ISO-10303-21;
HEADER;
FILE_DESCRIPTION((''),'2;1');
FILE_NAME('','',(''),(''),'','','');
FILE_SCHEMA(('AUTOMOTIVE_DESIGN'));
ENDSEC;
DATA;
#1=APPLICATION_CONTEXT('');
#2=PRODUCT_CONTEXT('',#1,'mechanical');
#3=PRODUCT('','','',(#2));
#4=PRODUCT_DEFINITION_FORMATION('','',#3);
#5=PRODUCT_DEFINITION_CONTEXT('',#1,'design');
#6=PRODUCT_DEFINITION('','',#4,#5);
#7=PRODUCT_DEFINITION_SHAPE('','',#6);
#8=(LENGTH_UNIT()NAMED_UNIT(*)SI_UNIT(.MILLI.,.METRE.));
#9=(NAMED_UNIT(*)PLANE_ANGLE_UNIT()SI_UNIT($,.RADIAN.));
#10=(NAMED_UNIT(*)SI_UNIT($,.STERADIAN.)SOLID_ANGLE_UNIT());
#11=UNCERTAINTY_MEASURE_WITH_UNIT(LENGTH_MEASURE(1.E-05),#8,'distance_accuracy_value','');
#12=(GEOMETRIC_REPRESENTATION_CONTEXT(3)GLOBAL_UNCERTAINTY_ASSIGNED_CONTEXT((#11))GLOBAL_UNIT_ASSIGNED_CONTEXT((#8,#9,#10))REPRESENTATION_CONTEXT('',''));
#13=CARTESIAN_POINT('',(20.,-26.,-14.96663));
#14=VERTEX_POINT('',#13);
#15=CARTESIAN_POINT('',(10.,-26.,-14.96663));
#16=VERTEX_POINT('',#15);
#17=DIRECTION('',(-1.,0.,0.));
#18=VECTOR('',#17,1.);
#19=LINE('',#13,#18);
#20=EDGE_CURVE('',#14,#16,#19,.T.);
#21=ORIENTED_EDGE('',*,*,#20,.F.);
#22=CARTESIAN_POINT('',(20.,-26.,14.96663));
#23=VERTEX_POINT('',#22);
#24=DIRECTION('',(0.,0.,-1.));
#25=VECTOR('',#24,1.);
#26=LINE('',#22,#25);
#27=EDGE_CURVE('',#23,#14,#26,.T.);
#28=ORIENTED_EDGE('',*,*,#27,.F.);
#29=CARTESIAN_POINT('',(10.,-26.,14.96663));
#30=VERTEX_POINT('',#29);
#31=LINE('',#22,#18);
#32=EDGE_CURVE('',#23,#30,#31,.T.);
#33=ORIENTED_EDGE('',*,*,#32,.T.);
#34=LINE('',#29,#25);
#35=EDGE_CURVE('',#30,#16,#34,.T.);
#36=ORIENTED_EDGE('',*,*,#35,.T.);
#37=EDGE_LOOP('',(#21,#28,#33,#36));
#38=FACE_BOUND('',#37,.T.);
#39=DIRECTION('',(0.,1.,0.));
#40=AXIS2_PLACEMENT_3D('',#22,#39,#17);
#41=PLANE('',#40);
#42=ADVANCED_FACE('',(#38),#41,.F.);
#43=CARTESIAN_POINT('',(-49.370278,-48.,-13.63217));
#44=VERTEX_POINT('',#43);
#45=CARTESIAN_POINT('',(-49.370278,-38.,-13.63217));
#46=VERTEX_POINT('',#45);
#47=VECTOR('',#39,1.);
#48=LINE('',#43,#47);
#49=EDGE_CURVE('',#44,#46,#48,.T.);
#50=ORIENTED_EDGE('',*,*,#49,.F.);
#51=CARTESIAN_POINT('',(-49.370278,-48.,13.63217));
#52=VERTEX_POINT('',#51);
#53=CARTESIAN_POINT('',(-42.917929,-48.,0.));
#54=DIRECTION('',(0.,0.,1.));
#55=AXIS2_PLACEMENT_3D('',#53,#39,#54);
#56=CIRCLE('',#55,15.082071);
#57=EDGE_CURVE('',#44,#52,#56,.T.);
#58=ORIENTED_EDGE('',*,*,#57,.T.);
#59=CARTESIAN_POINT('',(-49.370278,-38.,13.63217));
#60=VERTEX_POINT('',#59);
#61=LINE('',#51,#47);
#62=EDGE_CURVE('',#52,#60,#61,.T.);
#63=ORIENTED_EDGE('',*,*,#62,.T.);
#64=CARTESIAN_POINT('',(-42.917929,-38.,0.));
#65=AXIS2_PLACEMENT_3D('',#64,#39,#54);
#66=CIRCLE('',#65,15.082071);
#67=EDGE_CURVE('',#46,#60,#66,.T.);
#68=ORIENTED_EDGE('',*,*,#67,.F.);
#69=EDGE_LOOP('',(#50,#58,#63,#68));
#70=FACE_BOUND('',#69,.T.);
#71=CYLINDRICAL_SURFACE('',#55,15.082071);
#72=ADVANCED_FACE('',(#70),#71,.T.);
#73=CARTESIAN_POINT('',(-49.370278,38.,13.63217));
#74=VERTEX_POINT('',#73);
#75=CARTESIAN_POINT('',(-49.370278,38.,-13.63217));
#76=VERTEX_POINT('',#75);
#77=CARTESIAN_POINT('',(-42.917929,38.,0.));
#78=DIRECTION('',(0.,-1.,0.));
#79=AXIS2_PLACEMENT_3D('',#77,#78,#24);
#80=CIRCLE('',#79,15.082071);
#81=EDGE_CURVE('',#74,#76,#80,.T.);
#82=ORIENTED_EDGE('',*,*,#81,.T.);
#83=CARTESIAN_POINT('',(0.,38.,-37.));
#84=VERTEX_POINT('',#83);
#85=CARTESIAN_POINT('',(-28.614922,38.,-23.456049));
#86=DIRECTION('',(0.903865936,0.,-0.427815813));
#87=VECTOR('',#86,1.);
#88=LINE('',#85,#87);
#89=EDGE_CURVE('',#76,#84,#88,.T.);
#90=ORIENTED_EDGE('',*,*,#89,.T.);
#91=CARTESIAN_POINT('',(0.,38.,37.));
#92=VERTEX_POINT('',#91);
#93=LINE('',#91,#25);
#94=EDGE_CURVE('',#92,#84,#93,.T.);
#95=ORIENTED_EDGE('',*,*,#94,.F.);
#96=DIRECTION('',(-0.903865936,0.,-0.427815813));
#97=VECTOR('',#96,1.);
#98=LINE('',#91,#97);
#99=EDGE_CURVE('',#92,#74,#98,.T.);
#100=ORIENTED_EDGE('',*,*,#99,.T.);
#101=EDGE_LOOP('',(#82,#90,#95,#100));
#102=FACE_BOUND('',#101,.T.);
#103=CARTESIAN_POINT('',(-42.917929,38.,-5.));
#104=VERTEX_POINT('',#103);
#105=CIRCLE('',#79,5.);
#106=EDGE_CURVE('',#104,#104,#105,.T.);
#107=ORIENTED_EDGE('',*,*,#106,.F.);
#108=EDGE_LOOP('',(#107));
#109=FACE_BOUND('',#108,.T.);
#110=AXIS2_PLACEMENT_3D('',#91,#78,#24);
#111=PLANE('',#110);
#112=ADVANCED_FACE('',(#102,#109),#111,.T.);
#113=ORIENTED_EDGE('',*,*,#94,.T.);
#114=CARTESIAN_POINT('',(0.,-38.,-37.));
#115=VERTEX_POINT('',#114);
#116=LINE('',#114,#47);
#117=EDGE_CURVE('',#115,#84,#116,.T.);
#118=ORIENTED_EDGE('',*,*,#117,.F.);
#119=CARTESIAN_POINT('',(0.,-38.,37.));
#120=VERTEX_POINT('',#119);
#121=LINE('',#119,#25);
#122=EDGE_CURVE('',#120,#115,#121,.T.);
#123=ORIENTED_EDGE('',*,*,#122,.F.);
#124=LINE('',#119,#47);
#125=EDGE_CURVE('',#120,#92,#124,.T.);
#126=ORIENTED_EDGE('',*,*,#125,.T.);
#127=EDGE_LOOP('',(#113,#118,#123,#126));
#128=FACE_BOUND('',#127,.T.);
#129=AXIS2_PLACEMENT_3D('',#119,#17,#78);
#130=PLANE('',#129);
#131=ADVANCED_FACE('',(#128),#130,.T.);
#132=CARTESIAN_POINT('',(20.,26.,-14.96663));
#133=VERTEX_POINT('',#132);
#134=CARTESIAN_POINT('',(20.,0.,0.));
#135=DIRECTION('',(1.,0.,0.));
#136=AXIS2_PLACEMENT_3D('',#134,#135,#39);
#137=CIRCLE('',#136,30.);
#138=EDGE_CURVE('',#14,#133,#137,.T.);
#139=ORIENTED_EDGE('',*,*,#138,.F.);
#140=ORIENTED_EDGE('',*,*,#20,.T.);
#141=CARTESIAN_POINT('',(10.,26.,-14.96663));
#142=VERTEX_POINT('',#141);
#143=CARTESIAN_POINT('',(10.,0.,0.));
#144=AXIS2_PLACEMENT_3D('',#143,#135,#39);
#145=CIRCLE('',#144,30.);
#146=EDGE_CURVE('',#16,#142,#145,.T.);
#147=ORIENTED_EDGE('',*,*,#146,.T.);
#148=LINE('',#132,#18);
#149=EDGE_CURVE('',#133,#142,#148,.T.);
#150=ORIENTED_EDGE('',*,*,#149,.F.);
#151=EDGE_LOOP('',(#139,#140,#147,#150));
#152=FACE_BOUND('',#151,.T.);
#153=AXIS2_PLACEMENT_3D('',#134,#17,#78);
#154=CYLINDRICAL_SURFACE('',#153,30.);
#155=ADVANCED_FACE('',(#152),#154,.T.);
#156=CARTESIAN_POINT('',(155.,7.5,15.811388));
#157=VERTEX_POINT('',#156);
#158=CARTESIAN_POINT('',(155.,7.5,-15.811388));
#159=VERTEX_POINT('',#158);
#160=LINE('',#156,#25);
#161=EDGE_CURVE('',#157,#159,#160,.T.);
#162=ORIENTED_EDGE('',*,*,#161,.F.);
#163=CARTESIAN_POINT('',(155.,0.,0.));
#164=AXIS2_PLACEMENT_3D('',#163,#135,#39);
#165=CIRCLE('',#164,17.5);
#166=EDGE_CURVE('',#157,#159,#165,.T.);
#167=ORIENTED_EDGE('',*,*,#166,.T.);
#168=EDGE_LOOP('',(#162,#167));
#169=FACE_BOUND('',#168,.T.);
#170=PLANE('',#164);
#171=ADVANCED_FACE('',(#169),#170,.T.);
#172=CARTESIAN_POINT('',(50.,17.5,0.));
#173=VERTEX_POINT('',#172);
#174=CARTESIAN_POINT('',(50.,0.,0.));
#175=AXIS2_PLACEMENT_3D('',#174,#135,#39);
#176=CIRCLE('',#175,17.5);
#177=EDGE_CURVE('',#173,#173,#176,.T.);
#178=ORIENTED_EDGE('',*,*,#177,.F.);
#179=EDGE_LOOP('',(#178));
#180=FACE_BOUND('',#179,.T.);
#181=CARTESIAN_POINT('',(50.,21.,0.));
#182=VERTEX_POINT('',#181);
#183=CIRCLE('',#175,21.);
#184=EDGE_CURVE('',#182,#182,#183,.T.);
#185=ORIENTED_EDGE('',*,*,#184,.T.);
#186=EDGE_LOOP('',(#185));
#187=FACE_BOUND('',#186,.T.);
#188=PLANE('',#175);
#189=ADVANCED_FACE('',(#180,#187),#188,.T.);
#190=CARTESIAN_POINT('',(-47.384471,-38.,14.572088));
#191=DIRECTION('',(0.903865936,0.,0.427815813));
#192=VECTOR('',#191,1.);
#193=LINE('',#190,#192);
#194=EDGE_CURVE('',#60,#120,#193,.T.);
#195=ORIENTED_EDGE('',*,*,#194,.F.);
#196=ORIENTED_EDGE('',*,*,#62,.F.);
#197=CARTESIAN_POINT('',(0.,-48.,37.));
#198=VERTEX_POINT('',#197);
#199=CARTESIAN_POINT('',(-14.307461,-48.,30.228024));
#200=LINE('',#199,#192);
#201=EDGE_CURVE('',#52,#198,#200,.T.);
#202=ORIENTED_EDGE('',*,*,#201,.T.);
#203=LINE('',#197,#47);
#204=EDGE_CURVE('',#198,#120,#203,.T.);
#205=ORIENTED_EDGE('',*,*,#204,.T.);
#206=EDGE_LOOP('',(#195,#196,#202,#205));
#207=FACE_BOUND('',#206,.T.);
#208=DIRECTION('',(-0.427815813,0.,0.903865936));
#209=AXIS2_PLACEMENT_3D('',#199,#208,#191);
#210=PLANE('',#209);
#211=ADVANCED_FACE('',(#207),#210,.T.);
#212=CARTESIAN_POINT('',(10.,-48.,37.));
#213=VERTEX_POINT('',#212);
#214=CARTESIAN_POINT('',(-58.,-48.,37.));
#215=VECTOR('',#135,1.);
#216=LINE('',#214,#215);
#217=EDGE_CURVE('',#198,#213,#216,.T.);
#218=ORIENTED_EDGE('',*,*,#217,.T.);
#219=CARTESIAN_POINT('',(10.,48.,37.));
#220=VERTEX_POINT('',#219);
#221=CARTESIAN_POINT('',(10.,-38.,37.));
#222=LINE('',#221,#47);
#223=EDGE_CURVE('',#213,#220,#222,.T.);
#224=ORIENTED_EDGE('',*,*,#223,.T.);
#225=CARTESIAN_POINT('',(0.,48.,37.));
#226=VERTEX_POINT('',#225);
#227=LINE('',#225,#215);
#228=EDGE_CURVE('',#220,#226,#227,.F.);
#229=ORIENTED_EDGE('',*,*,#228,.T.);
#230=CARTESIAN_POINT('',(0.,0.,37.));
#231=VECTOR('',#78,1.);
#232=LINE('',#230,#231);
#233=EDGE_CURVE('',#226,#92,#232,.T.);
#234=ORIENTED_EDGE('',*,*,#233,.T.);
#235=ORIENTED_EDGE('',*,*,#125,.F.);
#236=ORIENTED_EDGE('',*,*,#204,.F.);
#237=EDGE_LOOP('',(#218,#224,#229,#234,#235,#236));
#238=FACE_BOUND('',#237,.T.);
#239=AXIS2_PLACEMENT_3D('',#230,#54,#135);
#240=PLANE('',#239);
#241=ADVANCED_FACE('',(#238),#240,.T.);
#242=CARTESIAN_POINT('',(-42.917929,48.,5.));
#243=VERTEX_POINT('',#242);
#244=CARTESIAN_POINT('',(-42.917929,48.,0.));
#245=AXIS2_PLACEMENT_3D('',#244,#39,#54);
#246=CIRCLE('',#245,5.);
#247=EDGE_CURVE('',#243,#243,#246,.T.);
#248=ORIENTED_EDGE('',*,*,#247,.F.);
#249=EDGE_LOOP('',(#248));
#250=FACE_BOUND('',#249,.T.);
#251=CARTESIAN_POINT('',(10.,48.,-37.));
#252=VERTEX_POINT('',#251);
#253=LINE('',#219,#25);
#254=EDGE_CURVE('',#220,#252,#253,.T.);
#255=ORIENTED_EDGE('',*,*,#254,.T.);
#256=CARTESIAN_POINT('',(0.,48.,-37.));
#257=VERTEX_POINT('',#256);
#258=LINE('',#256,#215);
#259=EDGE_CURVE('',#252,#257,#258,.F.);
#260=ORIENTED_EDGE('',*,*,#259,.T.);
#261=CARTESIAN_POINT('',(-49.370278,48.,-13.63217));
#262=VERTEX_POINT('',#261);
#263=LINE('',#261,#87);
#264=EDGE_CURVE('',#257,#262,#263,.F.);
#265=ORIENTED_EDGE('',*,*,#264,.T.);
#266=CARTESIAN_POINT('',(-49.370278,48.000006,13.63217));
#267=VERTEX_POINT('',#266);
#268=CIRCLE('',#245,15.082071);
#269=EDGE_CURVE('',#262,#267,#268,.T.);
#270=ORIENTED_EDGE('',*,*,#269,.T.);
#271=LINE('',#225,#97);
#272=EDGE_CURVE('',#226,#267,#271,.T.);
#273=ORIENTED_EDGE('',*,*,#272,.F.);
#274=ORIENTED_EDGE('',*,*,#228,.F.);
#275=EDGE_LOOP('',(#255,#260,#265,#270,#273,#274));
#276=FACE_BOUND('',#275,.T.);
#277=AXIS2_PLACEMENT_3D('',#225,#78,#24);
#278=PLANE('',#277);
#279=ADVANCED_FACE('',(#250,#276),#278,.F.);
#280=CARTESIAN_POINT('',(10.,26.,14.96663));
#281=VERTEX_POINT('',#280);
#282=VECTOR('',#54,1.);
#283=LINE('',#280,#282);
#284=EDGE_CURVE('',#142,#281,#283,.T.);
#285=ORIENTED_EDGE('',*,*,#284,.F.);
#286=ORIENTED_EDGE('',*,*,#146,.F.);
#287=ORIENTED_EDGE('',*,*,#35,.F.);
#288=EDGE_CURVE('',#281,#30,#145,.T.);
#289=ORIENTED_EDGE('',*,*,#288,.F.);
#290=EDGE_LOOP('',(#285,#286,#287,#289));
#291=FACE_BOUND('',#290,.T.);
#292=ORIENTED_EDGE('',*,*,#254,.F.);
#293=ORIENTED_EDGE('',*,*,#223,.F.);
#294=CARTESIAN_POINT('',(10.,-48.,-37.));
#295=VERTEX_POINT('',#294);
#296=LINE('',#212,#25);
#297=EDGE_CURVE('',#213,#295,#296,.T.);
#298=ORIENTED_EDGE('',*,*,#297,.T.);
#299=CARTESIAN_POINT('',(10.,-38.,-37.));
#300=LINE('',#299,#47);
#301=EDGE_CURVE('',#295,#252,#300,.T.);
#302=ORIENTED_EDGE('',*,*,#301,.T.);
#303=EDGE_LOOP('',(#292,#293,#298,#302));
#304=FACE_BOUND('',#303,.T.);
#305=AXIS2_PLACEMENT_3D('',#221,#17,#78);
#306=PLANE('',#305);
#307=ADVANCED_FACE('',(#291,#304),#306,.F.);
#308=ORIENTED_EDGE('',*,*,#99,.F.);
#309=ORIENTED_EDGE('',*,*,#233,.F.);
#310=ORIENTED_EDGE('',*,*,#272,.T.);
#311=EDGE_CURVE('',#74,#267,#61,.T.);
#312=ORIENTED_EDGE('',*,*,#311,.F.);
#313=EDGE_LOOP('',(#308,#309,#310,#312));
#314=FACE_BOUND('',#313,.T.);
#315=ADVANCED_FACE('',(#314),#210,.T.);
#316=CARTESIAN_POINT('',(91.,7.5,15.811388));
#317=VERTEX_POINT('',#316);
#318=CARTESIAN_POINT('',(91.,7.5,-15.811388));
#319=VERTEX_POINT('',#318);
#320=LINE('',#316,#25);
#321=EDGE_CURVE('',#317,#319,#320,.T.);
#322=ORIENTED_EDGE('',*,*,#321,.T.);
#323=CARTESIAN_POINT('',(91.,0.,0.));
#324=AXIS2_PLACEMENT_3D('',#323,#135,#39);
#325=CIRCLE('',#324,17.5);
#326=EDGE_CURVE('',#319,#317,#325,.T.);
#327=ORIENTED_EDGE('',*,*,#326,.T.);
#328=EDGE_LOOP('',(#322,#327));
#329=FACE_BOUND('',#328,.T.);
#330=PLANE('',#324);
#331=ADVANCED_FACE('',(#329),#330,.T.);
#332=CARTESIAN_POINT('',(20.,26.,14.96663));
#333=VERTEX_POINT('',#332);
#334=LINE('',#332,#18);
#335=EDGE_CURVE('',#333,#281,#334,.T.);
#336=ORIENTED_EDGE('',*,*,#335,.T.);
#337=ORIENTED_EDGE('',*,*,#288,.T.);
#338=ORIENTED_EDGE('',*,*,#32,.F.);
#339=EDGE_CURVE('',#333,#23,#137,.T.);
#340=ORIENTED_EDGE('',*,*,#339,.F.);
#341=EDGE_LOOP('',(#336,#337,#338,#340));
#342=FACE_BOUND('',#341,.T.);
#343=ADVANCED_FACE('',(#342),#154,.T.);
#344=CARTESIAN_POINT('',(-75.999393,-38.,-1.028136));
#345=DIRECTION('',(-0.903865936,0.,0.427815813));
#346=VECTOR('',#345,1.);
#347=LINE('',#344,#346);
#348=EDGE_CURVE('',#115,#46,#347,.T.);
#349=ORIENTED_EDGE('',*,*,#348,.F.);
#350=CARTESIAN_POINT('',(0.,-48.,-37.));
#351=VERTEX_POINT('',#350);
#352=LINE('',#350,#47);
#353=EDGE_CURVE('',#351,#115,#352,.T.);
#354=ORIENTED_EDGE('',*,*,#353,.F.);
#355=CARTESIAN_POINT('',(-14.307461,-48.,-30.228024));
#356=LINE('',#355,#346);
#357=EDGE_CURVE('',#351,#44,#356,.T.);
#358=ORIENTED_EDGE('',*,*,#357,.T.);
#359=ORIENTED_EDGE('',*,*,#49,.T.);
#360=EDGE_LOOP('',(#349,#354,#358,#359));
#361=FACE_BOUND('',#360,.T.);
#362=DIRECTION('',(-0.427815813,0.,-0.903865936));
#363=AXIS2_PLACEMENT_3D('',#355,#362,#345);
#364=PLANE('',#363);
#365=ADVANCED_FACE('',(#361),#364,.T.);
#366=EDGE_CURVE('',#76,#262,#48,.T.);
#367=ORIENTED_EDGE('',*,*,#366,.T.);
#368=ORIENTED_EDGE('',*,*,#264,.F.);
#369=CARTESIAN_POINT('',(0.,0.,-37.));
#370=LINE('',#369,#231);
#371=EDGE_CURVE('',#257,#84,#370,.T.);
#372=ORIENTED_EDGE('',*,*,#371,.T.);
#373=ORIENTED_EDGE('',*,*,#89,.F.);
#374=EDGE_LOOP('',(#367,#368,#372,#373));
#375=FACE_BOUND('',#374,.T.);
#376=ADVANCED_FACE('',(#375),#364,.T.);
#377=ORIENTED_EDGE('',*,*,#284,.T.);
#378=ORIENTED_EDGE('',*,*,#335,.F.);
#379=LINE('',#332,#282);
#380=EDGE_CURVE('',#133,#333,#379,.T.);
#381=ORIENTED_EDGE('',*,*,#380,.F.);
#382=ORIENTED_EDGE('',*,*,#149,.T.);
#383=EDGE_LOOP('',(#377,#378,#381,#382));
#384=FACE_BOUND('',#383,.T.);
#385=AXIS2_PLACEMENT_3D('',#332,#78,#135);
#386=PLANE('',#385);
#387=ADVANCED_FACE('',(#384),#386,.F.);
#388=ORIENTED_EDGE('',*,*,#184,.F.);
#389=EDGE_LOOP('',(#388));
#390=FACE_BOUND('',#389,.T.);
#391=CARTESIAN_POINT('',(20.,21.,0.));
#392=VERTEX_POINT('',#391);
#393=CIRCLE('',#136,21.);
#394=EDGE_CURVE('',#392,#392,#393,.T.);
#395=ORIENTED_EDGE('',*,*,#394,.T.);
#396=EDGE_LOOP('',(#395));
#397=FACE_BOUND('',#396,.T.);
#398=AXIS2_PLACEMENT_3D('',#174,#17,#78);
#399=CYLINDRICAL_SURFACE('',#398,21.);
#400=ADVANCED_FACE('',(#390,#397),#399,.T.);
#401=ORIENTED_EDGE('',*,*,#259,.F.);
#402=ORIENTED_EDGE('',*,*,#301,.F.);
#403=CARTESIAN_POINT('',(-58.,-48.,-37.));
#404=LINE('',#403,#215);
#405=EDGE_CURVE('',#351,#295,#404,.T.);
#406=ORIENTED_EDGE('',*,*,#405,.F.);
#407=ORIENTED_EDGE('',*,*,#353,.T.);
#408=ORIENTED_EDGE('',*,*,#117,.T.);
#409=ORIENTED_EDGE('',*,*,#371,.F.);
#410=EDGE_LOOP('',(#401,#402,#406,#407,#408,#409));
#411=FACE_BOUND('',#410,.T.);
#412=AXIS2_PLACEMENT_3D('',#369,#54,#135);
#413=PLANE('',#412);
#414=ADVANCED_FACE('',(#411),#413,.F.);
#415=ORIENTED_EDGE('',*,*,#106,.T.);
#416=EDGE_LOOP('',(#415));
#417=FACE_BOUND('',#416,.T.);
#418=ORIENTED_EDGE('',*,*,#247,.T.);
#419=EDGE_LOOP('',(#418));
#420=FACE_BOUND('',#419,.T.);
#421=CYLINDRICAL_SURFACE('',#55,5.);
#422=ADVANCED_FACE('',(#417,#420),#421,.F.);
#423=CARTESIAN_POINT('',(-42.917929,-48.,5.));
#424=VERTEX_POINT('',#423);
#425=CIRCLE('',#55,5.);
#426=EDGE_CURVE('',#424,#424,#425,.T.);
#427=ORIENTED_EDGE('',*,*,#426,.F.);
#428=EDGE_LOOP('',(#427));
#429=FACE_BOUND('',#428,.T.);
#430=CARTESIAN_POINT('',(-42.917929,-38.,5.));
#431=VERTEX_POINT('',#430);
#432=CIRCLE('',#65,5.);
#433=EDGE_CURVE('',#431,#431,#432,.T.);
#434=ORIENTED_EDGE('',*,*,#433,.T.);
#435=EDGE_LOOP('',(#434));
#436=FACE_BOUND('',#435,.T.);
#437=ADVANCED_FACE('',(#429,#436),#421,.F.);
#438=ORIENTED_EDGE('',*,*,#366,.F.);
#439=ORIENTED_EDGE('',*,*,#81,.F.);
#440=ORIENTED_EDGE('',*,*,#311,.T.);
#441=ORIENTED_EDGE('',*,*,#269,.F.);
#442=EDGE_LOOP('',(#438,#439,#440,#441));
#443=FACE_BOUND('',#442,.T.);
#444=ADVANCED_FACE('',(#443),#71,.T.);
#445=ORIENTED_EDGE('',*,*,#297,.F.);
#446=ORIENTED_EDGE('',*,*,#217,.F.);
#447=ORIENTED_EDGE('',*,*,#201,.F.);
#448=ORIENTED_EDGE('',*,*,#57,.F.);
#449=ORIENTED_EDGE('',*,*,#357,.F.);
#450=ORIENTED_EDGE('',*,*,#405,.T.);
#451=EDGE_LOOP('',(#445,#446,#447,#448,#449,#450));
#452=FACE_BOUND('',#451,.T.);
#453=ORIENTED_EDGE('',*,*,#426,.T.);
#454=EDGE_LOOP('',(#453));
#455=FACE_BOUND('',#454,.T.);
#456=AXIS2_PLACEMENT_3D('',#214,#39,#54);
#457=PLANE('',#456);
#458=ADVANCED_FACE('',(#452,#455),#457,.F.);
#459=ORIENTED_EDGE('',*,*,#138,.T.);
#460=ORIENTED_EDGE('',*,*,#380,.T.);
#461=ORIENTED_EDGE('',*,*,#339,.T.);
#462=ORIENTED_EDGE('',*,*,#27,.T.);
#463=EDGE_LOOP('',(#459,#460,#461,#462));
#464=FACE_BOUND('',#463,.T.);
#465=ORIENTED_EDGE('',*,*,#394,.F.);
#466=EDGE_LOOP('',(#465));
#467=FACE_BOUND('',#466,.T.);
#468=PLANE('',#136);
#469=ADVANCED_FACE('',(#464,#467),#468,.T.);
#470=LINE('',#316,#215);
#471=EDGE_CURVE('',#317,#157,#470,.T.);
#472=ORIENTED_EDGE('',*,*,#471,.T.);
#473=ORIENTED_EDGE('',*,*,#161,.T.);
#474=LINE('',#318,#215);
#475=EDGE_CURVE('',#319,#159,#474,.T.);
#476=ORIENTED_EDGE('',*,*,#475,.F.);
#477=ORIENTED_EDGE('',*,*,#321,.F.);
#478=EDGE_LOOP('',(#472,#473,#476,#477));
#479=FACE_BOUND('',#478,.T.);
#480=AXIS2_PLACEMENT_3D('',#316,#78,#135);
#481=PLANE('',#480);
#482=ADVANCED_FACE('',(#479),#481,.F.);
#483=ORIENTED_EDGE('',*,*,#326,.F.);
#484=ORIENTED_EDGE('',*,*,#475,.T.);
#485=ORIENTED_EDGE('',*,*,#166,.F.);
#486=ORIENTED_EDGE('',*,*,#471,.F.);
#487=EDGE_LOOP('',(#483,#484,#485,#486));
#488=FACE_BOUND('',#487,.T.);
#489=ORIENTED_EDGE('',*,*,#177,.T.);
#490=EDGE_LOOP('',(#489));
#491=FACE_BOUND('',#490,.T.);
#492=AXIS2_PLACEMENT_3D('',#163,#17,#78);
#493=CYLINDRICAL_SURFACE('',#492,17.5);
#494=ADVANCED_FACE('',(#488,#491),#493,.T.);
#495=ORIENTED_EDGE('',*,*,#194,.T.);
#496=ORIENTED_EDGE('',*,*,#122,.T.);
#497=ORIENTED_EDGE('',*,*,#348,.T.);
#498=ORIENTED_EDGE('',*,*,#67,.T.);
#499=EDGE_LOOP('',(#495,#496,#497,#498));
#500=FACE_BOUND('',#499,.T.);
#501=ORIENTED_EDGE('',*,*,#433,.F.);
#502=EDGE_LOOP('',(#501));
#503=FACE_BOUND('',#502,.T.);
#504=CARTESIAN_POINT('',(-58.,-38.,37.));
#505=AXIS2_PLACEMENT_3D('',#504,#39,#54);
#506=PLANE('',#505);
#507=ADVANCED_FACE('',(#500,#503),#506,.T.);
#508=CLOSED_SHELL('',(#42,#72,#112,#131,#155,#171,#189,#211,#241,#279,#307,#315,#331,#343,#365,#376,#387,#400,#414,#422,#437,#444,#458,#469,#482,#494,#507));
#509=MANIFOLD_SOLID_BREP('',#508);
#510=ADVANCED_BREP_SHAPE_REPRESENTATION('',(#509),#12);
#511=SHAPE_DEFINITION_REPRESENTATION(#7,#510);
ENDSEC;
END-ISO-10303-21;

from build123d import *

# Parameters (mm, degrees)
EXTRUDE_THIN1_DEPTH     = 37
CUT_EXTRUDE1_DEPTH      = 119.105884697
CUT_EXTRUDE1_DEPTH_BACK = 119.105884697
SKETCH2_3_R             = 5
CUT_EXTRUDE2_DEPTH      = 119.105884697
BOSS_EXTRUDE1_DEPTH     = 10
SKETCH4_R               = 21
BOSS_EXTRUDE2_DEPTH     = 30
SKETCH5_R               = 17.5
BOSS_EXTRUDE3_DEPTH     = 105
CUT_EXTRUDE3_START      = -64
CUT_EXTRUDE3_DEPTH      = 64


with BuildPart() as part:
    # Sketch1 → Extrude-Thin1 (new, symmetric)
    with BuildSketch(Plane.XY):
        Polygon((-58, -38), (0, -38), (0, 38), (-58, 38), (-58, 48), (10, 48), (10, -48), (-58, -48), align=None)
    extrude(amount=EXTRUDE_THIN1_DEPTH, both=True)

    # Sketch2 → Cut-Extrude1 (cut, two sides: drawn at the far end of the back side and taken through both)
    with BuildSketch(Plane(origin=(0, 48, 0), x_dir=(1, 0, 0), z_dir=(0, 1, 0)).offset(-CUT_EXTRUDE1_DEPTH_BACK)):
        with BuildLine():
            ThreePointArc((-49.370277543, -13.632170103), (-55.661234009, -8.067034306), (-58, 5.3e-08))
            Line((-58, 5.3e-08), (-58, -37))
            Line((-58, -37), (0, -37))
            Line((0, -37), (-49.370277543, -13.632170103))
        make_face()
        with BuildLine():
            Line((-49.370277543, 13.632170103), (0, 37))
            Line((0, 37), (-58, 37))
            Line((-58, 37), (-58, 5.3e-08))
            ThreePointArc((-58, 5.3e-08), (-55.661233981, 8.06703435), (-49.370277543, 13.632170103))
        make_face()
    extrude(amount=CUT_EXTRUDE1_DEPTH + CUT_EXTRUDE1_DEPTH_BACK, mode=Mode.SUBTRACT)

    # Sketch2<3> → Cut-Extrude2 (cut, through all)
    with BuildSketch(Plane(origin=(0, 48, 0), x_dir=(1, 0, 0), z_dir=(0, 1, 0))):
        with Locations((-42.917929128, 0)):
            Circle(SKETCH2_3_R)
    extrude(amount=-CUT_EXTRUDE2_DEPTH, mode=Mode.SUBTRACT)

    # Sketch3 → Boss-Extrude1 (add)
    with BuildSketch(Plane(origin=(10, 0, 0), x_dir=(0, 0, -1), z_dir=(1, 0, 0))):
        with BuildLine():
            Line((-14.966629547, 26), (14.966629547, 26))
            ThreePointArc((14.966629547, 26), (30, 0), (14.966629547, -26))
            Line((14.966629547, -26), (-14.966629547, -26))
            ThreePointArc((-14.966629547, -26), (-30, 0), (-14.966629547, 26))
        make_face()
    extrude(amount=BOSS_EXTRUDE1_DEPTH)

    # Sketch4 → Boss-Extrude2 (add)
    with BuildSketch(Plane(origin=(20, 0, 0), x_dir=(0, 0, -1), z_dir=(1, 0, 0))):
        Circle(SKETCH4_R)
    extrude(amount=BOSS_EXTRUDE2_DEPTH)

    # Sketch5 → Boss-Extrude3 (add)
    with BuildSketch(Plane(origin=(50, 0, 0), x_dir=(0, 0, -1), z_dir=(1, 0, 0))):
        Circle(SKETCH5_R)
    extrude(amount=BOSS_EXTRUDE3_DEPTH)

    # Sketch6 → Cut-Extrude3 (cut)
    with BuildSketch(Plane(origin=(155, 0, 0), x_dir=(0, 0, -1), z_dir=(1, 0, 0)).offset(CUT_EXTRUDE3_START)):
        with BuildLine():
            Line((-15.811388301, 7.5), (15.811388301, 7.5))
            ThreePointArc((15.811388301, 7.5), (0, 17.5), (-15.811388301, 7.5))
        make_face()
    extrude(amount=CUT_EXTRUDE3_DEPTH, mode=Mode.SUBTRACT)


solid = part.part
